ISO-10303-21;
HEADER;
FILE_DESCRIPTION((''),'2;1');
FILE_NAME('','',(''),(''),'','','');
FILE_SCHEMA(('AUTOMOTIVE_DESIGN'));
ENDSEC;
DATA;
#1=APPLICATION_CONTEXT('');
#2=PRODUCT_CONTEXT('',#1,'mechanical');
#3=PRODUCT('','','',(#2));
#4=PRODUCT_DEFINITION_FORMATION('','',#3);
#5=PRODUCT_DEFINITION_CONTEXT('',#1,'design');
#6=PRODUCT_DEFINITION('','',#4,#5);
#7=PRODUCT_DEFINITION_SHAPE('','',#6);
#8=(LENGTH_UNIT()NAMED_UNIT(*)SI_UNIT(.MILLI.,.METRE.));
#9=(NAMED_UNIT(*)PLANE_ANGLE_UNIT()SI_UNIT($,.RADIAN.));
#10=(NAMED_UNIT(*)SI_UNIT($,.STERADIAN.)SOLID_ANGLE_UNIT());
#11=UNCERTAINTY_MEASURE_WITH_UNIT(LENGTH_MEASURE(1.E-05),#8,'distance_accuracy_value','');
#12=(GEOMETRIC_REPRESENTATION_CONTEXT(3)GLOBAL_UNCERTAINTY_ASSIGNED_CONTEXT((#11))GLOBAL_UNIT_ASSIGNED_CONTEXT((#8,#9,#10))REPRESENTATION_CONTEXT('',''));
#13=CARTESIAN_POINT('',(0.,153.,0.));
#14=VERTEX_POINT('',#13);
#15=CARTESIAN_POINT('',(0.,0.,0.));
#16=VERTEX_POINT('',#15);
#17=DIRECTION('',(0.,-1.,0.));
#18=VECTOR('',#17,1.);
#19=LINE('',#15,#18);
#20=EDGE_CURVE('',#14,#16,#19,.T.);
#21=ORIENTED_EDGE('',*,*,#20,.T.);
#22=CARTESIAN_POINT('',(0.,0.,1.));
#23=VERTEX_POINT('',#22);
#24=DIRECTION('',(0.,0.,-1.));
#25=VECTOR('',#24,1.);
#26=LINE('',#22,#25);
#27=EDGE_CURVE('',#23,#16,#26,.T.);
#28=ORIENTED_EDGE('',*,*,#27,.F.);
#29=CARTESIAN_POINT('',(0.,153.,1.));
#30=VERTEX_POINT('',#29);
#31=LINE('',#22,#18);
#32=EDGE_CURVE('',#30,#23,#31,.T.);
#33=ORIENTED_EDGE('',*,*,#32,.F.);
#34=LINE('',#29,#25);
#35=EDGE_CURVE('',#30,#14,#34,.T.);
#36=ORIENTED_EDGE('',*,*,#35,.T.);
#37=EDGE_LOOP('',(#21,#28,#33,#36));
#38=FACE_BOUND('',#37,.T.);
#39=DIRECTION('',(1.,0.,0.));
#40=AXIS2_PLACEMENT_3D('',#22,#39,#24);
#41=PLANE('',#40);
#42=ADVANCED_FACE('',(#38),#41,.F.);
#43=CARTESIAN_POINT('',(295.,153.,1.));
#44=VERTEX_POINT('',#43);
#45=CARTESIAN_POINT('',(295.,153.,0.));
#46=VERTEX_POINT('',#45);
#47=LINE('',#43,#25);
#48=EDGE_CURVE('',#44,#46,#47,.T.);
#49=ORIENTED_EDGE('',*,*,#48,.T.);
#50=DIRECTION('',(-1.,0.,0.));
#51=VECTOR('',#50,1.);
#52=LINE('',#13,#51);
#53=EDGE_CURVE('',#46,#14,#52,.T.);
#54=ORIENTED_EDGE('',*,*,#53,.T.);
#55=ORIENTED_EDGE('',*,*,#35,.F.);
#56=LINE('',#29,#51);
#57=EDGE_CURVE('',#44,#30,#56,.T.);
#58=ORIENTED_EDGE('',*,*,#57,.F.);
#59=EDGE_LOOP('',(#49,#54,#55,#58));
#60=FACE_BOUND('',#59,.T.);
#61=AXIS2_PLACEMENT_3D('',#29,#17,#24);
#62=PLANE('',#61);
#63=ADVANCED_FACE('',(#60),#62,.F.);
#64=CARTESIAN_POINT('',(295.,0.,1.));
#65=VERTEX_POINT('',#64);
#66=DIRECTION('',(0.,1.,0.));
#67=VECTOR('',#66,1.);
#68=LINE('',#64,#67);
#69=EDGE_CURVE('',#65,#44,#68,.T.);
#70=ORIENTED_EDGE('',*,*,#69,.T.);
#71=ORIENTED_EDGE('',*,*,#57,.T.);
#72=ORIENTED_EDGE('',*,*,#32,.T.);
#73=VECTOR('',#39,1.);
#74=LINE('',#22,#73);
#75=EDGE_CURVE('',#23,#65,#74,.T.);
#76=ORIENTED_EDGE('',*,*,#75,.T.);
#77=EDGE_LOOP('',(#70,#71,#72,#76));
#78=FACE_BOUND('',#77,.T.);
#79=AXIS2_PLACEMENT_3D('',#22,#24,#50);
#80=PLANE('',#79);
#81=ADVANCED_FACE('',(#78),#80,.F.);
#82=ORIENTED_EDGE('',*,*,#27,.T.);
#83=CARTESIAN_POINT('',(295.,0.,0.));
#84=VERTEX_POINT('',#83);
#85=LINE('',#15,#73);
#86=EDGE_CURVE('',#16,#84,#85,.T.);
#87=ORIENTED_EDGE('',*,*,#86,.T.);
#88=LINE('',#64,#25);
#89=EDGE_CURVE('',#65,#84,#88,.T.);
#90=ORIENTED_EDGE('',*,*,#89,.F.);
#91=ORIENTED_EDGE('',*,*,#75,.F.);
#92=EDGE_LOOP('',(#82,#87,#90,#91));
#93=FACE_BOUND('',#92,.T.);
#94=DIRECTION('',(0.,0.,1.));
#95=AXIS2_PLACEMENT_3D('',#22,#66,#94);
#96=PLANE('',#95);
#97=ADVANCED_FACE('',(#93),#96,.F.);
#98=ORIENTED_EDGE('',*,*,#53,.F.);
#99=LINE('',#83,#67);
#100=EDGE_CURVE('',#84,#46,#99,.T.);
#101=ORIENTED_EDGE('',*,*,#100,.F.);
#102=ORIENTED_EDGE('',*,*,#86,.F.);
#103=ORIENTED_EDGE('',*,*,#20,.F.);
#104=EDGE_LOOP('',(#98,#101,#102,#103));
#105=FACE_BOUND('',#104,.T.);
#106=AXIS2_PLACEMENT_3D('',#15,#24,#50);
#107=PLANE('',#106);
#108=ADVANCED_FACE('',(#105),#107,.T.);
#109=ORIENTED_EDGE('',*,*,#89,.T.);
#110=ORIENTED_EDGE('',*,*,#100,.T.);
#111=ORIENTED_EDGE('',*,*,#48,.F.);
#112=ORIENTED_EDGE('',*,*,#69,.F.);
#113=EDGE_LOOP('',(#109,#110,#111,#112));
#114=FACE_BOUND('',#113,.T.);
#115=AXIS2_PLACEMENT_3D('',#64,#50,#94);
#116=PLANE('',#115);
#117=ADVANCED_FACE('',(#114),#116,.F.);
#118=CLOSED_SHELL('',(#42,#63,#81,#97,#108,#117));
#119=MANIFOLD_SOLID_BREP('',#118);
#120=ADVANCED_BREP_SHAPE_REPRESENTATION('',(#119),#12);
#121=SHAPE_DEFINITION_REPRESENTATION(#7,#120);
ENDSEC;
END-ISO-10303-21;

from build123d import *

# Parameters (mm, degrees)
SKETCH_1_W      = 295
SKETCH_1_H      = 153
EXTRUDE_1_DEPTH = 1


with BuildPart() as part:
    # 草图1 → 凸台-拉伸1 (new body)
    with BuildSketch(Plane.XY):
        with Locations((147.5, 76.5)):
            Rectangle(SKETCH_1_W, SKETCH_1_H)
    extrude(amount=EXTRUDE_1_DEPTH)


solid = part.part
